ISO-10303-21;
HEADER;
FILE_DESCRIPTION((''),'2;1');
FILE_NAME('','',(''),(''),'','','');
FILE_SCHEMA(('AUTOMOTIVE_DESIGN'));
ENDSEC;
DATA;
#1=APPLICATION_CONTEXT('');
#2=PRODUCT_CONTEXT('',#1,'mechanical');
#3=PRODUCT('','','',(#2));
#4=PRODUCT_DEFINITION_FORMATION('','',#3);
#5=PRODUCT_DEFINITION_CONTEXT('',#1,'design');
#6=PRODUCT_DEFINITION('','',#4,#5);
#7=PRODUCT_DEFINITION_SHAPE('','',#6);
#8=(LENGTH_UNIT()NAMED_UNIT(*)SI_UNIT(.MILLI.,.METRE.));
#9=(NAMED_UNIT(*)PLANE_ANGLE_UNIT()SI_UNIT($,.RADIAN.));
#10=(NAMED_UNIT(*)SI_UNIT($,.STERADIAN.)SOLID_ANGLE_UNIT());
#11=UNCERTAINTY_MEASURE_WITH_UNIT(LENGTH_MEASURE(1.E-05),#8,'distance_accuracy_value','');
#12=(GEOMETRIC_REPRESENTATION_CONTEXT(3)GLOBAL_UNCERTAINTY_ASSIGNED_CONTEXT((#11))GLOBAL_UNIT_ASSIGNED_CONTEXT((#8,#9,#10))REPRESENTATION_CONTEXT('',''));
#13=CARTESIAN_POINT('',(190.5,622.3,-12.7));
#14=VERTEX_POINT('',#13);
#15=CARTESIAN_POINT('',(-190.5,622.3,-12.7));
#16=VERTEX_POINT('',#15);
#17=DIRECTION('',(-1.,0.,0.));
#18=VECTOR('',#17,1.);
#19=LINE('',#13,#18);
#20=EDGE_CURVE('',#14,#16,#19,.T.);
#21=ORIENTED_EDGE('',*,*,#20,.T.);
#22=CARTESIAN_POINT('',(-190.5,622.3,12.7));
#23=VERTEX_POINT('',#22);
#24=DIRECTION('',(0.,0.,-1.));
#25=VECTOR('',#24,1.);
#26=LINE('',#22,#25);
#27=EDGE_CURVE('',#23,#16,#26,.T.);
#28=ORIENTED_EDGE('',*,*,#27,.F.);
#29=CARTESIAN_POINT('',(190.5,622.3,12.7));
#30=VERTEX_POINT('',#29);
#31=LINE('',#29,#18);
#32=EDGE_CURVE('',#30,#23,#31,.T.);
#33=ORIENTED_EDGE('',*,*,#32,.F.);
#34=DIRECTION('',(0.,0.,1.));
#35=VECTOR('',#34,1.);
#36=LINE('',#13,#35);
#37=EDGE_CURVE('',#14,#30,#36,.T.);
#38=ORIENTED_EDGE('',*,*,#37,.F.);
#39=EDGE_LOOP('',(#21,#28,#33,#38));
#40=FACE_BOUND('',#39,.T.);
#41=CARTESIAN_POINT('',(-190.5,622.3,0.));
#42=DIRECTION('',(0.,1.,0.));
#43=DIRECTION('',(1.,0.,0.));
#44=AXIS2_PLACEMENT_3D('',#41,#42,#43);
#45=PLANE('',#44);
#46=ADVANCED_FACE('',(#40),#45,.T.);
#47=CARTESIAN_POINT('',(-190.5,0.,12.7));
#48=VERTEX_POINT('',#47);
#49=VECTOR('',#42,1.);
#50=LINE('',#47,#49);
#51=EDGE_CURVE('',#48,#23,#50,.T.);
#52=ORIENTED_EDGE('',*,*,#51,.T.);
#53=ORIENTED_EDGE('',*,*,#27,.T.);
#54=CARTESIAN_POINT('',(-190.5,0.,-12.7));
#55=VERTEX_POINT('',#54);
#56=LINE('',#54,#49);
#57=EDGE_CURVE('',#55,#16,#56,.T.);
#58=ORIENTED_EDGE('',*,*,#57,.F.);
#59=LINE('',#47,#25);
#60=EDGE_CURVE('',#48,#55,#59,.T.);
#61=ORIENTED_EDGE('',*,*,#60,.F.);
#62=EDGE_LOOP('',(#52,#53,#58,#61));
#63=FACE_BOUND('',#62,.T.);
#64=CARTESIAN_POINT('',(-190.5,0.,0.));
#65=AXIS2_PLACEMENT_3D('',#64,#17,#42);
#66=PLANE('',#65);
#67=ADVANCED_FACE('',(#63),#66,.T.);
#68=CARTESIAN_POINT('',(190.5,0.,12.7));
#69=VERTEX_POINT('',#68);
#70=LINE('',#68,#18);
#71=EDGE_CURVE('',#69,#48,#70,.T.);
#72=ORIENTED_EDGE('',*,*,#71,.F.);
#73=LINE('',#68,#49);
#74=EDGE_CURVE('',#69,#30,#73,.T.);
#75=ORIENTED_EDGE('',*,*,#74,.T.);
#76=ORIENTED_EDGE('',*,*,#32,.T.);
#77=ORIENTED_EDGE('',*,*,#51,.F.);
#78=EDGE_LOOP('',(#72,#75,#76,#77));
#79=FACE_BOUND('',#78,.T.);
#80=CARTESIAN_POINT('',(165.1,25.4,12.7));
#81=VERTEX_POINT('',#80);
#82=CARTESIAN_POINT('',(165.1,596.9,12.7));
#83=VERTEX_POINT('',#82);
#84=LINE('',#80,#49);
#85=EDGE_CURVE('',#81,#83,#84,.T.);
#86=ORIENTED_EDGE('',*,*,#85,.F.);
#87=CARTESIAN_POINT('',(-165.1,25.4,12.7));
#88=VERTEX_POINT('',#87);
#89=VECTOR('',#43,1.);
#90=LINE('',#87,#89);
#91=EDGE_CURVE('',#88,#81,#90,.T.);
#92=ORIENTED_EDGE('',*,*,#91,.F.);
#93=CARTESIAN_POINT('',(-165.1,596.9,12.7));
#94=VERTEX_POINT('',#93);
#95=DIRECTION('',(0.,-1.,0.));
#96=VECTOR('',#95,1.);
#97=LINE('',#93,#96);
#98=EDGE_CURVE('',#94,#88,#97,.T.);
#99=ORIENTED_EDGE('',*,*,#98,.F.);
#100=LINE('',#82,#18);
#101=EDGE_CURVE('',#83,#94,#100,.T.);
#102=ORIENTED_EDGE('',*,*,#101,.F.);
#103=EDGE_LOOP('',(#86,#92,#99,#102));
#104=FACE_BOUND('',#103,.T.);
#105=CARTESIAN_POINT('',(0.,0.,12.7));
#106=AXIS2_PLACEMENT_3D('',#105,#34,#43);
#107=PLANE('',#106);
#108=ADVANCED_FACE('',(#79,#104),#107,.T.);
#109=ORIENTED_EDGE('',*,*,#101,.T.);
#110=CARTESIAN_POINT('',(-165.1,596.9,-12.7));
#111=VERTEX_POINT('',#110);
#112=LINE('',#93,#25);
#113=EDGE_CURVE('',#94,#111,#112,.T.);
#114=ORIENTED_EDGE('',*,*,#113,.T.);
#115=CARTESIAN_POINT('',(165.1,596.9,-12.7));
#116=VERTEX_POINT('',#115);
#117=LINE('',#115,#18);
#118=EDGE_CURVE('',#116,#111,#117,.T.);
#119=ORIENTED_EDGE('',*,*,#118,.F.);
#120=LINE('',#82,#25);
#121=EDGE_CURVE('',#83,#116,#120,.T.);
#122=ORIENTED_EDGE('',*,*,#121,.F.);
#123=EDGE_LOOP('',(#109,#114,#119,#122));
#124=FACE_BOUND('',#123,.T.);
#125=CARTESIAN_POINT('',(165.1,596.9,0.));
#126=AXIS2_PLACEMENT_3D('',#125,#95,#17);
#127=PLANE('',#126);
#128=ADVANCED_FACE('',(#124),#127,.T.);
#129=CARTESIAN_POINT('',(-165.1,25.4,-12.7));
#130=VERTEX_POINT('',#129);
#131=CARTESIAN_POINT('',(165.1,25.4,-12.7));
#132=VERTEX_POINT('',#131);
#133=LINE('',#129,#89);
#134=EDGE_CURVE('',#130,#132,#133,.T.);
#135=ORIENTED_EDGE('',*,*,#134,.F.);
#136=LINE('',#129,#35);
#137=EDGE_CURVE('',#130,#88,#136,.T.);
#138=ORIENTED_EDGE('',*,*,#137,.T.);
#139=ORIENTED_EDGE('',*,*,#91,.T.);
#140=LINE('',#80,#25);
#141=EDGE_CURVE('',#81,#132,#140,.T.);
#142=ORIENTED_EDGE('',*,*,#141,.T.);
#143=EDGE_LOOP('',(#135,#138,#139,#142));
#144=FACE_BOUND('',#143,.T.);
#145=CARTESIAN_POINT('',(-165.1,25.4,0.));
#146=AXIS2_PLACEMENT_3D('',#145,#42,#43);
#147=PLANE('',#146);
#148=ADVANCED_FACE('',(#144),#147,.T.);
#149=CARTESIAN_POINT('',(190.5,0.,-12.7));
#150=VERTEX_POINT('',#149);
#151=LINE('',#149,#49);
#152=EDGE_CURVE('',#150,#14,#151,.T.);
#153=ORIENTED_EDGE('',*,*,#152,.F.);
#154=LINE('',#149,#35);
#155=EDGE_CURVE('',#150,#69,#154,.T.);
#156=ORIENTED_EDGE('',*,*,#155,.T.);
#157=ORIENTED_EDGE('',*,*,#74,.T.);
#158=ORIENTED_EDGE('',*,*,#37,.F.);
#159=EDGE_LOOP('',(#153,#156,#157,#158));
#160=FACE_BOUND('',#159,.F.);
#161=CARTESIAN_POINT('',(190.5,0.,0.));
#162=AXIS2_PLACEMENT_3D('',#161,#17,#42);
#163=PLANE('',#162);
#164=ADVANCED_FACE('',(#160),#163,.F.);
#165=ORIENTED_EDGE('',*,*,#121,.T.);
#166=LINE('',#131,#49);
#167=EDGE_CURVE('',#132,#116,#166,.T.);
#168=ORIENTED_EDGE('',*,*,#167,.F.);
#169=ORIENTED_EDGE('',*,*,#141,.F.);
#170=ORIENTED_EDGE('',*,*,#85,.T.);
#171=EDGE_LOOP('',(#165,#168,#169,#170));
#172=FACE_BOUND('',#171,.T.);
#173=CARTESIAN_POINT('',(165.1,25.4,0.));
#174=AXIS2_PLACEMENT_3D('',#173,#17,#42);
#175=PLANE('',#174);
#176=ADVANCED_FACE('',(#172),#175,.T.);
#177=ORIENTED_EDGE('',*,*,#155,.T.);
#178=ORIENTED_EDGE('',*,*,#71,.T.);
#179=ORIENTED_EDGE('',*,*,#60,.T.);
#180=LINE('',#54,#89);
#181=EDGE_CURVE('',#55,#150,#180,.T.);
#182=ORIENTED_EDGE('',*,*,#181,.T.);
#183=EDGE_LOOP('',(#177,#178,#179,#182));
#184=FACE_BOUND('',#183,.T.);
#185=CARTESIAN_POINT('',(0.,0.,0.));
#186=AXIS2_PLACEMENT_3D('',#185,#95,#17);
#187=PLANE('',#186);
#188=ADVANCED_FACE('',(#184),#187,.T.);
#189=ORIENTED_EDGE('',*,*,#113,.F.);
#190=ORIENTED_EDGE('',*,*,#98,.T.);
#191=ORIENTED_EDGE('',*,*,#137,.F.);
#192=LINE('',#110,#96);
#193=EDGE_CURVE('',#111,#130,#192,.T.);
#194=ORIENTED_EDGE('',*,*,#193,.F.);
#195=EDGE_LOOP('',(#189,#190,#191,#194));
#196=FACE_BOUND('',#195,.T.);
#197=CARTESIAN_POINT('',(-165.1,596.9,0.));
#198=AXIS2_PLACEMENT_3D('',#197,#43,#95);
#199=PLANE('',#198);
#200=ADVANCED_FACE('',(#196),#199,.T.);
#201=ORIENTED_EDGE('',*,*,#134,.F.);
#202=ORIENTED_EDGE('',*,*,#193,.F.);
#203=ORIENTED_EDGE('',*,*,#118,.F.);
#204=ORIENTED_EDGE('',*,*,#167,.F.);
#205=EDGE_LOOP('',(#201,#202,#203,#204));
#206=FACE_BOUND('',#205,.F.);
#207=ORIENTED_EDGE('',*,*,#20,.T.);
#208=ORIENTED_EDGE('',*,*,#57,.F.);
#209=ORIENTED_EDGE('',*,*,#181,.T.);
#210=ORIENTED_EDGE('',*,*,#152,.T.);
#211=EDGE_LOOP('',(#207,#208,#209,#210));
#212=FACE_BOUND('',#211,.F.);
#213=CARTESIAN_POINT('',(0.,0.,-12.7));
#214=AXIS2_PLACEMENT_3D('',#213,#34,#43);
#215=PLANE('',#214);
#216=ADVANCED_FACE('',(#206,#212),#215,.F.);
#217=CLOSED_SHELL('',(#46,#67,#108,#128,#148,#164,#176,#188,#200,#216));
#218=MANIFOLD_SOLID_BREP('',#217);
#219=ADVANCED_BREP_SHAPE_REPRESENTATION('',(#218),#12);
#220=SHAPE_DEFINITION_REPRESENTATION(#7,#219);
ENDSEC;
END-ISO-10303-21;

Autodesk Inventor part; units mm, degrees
ref_plane "YZ Plane" through (0, 0, 0) normal (1, 0, 0) x (0, 1, 0)
ref_plane "XZ Plane" through (0, 0, 0) normal (0, 1, 0) x (-1, 0, 0)
ref_plane "XY Plane" through (0, 0, 0) normal (0, 0, 1) x (1, 0, 0)
sketch "Sketch1" plane through (0, 0, 0) normal (0, 0, 1) x (1, 0, 0)
  line L0 (0, 0) -> (190.5, 0)
  line L1 (190.5, 0) -> (190.5, 622.3)
  line L2 (190.5, 622.3) -> (0, 622.3)
  line L3 (0, 0) -> (0, 622.3) construction
  line L4 (0, 0) -> (-190.5, 0)
  line L5 (-190.5, 0) -> (-190.5, 622.3)
  line L6 (-190.5, 622.3) -> (0, 622.3)
  line L7 (-165.1, 25.4) -> (165.1, 25.4)
  line L8 (165.1, 25.4) -> (165.1, 596.9)
  line L9 (165.1, 596.9) -> (-165.1, 596.9)
  line L10 (-165.1, 596.9) -> (-165.1, 25.4)
  dimension "d1" = 622.3
  dimension "d2" = 381
  dimension "d3" = 25.4
  dimension "d4" = 25.4
  dimension "d5" = 25.4
  dimension "d6" = 25.4
extrude "Extrusion1" add sketch "Sketch1" along normal mid plane 25.4
properties part number "primativeBaseForShortRobot"
